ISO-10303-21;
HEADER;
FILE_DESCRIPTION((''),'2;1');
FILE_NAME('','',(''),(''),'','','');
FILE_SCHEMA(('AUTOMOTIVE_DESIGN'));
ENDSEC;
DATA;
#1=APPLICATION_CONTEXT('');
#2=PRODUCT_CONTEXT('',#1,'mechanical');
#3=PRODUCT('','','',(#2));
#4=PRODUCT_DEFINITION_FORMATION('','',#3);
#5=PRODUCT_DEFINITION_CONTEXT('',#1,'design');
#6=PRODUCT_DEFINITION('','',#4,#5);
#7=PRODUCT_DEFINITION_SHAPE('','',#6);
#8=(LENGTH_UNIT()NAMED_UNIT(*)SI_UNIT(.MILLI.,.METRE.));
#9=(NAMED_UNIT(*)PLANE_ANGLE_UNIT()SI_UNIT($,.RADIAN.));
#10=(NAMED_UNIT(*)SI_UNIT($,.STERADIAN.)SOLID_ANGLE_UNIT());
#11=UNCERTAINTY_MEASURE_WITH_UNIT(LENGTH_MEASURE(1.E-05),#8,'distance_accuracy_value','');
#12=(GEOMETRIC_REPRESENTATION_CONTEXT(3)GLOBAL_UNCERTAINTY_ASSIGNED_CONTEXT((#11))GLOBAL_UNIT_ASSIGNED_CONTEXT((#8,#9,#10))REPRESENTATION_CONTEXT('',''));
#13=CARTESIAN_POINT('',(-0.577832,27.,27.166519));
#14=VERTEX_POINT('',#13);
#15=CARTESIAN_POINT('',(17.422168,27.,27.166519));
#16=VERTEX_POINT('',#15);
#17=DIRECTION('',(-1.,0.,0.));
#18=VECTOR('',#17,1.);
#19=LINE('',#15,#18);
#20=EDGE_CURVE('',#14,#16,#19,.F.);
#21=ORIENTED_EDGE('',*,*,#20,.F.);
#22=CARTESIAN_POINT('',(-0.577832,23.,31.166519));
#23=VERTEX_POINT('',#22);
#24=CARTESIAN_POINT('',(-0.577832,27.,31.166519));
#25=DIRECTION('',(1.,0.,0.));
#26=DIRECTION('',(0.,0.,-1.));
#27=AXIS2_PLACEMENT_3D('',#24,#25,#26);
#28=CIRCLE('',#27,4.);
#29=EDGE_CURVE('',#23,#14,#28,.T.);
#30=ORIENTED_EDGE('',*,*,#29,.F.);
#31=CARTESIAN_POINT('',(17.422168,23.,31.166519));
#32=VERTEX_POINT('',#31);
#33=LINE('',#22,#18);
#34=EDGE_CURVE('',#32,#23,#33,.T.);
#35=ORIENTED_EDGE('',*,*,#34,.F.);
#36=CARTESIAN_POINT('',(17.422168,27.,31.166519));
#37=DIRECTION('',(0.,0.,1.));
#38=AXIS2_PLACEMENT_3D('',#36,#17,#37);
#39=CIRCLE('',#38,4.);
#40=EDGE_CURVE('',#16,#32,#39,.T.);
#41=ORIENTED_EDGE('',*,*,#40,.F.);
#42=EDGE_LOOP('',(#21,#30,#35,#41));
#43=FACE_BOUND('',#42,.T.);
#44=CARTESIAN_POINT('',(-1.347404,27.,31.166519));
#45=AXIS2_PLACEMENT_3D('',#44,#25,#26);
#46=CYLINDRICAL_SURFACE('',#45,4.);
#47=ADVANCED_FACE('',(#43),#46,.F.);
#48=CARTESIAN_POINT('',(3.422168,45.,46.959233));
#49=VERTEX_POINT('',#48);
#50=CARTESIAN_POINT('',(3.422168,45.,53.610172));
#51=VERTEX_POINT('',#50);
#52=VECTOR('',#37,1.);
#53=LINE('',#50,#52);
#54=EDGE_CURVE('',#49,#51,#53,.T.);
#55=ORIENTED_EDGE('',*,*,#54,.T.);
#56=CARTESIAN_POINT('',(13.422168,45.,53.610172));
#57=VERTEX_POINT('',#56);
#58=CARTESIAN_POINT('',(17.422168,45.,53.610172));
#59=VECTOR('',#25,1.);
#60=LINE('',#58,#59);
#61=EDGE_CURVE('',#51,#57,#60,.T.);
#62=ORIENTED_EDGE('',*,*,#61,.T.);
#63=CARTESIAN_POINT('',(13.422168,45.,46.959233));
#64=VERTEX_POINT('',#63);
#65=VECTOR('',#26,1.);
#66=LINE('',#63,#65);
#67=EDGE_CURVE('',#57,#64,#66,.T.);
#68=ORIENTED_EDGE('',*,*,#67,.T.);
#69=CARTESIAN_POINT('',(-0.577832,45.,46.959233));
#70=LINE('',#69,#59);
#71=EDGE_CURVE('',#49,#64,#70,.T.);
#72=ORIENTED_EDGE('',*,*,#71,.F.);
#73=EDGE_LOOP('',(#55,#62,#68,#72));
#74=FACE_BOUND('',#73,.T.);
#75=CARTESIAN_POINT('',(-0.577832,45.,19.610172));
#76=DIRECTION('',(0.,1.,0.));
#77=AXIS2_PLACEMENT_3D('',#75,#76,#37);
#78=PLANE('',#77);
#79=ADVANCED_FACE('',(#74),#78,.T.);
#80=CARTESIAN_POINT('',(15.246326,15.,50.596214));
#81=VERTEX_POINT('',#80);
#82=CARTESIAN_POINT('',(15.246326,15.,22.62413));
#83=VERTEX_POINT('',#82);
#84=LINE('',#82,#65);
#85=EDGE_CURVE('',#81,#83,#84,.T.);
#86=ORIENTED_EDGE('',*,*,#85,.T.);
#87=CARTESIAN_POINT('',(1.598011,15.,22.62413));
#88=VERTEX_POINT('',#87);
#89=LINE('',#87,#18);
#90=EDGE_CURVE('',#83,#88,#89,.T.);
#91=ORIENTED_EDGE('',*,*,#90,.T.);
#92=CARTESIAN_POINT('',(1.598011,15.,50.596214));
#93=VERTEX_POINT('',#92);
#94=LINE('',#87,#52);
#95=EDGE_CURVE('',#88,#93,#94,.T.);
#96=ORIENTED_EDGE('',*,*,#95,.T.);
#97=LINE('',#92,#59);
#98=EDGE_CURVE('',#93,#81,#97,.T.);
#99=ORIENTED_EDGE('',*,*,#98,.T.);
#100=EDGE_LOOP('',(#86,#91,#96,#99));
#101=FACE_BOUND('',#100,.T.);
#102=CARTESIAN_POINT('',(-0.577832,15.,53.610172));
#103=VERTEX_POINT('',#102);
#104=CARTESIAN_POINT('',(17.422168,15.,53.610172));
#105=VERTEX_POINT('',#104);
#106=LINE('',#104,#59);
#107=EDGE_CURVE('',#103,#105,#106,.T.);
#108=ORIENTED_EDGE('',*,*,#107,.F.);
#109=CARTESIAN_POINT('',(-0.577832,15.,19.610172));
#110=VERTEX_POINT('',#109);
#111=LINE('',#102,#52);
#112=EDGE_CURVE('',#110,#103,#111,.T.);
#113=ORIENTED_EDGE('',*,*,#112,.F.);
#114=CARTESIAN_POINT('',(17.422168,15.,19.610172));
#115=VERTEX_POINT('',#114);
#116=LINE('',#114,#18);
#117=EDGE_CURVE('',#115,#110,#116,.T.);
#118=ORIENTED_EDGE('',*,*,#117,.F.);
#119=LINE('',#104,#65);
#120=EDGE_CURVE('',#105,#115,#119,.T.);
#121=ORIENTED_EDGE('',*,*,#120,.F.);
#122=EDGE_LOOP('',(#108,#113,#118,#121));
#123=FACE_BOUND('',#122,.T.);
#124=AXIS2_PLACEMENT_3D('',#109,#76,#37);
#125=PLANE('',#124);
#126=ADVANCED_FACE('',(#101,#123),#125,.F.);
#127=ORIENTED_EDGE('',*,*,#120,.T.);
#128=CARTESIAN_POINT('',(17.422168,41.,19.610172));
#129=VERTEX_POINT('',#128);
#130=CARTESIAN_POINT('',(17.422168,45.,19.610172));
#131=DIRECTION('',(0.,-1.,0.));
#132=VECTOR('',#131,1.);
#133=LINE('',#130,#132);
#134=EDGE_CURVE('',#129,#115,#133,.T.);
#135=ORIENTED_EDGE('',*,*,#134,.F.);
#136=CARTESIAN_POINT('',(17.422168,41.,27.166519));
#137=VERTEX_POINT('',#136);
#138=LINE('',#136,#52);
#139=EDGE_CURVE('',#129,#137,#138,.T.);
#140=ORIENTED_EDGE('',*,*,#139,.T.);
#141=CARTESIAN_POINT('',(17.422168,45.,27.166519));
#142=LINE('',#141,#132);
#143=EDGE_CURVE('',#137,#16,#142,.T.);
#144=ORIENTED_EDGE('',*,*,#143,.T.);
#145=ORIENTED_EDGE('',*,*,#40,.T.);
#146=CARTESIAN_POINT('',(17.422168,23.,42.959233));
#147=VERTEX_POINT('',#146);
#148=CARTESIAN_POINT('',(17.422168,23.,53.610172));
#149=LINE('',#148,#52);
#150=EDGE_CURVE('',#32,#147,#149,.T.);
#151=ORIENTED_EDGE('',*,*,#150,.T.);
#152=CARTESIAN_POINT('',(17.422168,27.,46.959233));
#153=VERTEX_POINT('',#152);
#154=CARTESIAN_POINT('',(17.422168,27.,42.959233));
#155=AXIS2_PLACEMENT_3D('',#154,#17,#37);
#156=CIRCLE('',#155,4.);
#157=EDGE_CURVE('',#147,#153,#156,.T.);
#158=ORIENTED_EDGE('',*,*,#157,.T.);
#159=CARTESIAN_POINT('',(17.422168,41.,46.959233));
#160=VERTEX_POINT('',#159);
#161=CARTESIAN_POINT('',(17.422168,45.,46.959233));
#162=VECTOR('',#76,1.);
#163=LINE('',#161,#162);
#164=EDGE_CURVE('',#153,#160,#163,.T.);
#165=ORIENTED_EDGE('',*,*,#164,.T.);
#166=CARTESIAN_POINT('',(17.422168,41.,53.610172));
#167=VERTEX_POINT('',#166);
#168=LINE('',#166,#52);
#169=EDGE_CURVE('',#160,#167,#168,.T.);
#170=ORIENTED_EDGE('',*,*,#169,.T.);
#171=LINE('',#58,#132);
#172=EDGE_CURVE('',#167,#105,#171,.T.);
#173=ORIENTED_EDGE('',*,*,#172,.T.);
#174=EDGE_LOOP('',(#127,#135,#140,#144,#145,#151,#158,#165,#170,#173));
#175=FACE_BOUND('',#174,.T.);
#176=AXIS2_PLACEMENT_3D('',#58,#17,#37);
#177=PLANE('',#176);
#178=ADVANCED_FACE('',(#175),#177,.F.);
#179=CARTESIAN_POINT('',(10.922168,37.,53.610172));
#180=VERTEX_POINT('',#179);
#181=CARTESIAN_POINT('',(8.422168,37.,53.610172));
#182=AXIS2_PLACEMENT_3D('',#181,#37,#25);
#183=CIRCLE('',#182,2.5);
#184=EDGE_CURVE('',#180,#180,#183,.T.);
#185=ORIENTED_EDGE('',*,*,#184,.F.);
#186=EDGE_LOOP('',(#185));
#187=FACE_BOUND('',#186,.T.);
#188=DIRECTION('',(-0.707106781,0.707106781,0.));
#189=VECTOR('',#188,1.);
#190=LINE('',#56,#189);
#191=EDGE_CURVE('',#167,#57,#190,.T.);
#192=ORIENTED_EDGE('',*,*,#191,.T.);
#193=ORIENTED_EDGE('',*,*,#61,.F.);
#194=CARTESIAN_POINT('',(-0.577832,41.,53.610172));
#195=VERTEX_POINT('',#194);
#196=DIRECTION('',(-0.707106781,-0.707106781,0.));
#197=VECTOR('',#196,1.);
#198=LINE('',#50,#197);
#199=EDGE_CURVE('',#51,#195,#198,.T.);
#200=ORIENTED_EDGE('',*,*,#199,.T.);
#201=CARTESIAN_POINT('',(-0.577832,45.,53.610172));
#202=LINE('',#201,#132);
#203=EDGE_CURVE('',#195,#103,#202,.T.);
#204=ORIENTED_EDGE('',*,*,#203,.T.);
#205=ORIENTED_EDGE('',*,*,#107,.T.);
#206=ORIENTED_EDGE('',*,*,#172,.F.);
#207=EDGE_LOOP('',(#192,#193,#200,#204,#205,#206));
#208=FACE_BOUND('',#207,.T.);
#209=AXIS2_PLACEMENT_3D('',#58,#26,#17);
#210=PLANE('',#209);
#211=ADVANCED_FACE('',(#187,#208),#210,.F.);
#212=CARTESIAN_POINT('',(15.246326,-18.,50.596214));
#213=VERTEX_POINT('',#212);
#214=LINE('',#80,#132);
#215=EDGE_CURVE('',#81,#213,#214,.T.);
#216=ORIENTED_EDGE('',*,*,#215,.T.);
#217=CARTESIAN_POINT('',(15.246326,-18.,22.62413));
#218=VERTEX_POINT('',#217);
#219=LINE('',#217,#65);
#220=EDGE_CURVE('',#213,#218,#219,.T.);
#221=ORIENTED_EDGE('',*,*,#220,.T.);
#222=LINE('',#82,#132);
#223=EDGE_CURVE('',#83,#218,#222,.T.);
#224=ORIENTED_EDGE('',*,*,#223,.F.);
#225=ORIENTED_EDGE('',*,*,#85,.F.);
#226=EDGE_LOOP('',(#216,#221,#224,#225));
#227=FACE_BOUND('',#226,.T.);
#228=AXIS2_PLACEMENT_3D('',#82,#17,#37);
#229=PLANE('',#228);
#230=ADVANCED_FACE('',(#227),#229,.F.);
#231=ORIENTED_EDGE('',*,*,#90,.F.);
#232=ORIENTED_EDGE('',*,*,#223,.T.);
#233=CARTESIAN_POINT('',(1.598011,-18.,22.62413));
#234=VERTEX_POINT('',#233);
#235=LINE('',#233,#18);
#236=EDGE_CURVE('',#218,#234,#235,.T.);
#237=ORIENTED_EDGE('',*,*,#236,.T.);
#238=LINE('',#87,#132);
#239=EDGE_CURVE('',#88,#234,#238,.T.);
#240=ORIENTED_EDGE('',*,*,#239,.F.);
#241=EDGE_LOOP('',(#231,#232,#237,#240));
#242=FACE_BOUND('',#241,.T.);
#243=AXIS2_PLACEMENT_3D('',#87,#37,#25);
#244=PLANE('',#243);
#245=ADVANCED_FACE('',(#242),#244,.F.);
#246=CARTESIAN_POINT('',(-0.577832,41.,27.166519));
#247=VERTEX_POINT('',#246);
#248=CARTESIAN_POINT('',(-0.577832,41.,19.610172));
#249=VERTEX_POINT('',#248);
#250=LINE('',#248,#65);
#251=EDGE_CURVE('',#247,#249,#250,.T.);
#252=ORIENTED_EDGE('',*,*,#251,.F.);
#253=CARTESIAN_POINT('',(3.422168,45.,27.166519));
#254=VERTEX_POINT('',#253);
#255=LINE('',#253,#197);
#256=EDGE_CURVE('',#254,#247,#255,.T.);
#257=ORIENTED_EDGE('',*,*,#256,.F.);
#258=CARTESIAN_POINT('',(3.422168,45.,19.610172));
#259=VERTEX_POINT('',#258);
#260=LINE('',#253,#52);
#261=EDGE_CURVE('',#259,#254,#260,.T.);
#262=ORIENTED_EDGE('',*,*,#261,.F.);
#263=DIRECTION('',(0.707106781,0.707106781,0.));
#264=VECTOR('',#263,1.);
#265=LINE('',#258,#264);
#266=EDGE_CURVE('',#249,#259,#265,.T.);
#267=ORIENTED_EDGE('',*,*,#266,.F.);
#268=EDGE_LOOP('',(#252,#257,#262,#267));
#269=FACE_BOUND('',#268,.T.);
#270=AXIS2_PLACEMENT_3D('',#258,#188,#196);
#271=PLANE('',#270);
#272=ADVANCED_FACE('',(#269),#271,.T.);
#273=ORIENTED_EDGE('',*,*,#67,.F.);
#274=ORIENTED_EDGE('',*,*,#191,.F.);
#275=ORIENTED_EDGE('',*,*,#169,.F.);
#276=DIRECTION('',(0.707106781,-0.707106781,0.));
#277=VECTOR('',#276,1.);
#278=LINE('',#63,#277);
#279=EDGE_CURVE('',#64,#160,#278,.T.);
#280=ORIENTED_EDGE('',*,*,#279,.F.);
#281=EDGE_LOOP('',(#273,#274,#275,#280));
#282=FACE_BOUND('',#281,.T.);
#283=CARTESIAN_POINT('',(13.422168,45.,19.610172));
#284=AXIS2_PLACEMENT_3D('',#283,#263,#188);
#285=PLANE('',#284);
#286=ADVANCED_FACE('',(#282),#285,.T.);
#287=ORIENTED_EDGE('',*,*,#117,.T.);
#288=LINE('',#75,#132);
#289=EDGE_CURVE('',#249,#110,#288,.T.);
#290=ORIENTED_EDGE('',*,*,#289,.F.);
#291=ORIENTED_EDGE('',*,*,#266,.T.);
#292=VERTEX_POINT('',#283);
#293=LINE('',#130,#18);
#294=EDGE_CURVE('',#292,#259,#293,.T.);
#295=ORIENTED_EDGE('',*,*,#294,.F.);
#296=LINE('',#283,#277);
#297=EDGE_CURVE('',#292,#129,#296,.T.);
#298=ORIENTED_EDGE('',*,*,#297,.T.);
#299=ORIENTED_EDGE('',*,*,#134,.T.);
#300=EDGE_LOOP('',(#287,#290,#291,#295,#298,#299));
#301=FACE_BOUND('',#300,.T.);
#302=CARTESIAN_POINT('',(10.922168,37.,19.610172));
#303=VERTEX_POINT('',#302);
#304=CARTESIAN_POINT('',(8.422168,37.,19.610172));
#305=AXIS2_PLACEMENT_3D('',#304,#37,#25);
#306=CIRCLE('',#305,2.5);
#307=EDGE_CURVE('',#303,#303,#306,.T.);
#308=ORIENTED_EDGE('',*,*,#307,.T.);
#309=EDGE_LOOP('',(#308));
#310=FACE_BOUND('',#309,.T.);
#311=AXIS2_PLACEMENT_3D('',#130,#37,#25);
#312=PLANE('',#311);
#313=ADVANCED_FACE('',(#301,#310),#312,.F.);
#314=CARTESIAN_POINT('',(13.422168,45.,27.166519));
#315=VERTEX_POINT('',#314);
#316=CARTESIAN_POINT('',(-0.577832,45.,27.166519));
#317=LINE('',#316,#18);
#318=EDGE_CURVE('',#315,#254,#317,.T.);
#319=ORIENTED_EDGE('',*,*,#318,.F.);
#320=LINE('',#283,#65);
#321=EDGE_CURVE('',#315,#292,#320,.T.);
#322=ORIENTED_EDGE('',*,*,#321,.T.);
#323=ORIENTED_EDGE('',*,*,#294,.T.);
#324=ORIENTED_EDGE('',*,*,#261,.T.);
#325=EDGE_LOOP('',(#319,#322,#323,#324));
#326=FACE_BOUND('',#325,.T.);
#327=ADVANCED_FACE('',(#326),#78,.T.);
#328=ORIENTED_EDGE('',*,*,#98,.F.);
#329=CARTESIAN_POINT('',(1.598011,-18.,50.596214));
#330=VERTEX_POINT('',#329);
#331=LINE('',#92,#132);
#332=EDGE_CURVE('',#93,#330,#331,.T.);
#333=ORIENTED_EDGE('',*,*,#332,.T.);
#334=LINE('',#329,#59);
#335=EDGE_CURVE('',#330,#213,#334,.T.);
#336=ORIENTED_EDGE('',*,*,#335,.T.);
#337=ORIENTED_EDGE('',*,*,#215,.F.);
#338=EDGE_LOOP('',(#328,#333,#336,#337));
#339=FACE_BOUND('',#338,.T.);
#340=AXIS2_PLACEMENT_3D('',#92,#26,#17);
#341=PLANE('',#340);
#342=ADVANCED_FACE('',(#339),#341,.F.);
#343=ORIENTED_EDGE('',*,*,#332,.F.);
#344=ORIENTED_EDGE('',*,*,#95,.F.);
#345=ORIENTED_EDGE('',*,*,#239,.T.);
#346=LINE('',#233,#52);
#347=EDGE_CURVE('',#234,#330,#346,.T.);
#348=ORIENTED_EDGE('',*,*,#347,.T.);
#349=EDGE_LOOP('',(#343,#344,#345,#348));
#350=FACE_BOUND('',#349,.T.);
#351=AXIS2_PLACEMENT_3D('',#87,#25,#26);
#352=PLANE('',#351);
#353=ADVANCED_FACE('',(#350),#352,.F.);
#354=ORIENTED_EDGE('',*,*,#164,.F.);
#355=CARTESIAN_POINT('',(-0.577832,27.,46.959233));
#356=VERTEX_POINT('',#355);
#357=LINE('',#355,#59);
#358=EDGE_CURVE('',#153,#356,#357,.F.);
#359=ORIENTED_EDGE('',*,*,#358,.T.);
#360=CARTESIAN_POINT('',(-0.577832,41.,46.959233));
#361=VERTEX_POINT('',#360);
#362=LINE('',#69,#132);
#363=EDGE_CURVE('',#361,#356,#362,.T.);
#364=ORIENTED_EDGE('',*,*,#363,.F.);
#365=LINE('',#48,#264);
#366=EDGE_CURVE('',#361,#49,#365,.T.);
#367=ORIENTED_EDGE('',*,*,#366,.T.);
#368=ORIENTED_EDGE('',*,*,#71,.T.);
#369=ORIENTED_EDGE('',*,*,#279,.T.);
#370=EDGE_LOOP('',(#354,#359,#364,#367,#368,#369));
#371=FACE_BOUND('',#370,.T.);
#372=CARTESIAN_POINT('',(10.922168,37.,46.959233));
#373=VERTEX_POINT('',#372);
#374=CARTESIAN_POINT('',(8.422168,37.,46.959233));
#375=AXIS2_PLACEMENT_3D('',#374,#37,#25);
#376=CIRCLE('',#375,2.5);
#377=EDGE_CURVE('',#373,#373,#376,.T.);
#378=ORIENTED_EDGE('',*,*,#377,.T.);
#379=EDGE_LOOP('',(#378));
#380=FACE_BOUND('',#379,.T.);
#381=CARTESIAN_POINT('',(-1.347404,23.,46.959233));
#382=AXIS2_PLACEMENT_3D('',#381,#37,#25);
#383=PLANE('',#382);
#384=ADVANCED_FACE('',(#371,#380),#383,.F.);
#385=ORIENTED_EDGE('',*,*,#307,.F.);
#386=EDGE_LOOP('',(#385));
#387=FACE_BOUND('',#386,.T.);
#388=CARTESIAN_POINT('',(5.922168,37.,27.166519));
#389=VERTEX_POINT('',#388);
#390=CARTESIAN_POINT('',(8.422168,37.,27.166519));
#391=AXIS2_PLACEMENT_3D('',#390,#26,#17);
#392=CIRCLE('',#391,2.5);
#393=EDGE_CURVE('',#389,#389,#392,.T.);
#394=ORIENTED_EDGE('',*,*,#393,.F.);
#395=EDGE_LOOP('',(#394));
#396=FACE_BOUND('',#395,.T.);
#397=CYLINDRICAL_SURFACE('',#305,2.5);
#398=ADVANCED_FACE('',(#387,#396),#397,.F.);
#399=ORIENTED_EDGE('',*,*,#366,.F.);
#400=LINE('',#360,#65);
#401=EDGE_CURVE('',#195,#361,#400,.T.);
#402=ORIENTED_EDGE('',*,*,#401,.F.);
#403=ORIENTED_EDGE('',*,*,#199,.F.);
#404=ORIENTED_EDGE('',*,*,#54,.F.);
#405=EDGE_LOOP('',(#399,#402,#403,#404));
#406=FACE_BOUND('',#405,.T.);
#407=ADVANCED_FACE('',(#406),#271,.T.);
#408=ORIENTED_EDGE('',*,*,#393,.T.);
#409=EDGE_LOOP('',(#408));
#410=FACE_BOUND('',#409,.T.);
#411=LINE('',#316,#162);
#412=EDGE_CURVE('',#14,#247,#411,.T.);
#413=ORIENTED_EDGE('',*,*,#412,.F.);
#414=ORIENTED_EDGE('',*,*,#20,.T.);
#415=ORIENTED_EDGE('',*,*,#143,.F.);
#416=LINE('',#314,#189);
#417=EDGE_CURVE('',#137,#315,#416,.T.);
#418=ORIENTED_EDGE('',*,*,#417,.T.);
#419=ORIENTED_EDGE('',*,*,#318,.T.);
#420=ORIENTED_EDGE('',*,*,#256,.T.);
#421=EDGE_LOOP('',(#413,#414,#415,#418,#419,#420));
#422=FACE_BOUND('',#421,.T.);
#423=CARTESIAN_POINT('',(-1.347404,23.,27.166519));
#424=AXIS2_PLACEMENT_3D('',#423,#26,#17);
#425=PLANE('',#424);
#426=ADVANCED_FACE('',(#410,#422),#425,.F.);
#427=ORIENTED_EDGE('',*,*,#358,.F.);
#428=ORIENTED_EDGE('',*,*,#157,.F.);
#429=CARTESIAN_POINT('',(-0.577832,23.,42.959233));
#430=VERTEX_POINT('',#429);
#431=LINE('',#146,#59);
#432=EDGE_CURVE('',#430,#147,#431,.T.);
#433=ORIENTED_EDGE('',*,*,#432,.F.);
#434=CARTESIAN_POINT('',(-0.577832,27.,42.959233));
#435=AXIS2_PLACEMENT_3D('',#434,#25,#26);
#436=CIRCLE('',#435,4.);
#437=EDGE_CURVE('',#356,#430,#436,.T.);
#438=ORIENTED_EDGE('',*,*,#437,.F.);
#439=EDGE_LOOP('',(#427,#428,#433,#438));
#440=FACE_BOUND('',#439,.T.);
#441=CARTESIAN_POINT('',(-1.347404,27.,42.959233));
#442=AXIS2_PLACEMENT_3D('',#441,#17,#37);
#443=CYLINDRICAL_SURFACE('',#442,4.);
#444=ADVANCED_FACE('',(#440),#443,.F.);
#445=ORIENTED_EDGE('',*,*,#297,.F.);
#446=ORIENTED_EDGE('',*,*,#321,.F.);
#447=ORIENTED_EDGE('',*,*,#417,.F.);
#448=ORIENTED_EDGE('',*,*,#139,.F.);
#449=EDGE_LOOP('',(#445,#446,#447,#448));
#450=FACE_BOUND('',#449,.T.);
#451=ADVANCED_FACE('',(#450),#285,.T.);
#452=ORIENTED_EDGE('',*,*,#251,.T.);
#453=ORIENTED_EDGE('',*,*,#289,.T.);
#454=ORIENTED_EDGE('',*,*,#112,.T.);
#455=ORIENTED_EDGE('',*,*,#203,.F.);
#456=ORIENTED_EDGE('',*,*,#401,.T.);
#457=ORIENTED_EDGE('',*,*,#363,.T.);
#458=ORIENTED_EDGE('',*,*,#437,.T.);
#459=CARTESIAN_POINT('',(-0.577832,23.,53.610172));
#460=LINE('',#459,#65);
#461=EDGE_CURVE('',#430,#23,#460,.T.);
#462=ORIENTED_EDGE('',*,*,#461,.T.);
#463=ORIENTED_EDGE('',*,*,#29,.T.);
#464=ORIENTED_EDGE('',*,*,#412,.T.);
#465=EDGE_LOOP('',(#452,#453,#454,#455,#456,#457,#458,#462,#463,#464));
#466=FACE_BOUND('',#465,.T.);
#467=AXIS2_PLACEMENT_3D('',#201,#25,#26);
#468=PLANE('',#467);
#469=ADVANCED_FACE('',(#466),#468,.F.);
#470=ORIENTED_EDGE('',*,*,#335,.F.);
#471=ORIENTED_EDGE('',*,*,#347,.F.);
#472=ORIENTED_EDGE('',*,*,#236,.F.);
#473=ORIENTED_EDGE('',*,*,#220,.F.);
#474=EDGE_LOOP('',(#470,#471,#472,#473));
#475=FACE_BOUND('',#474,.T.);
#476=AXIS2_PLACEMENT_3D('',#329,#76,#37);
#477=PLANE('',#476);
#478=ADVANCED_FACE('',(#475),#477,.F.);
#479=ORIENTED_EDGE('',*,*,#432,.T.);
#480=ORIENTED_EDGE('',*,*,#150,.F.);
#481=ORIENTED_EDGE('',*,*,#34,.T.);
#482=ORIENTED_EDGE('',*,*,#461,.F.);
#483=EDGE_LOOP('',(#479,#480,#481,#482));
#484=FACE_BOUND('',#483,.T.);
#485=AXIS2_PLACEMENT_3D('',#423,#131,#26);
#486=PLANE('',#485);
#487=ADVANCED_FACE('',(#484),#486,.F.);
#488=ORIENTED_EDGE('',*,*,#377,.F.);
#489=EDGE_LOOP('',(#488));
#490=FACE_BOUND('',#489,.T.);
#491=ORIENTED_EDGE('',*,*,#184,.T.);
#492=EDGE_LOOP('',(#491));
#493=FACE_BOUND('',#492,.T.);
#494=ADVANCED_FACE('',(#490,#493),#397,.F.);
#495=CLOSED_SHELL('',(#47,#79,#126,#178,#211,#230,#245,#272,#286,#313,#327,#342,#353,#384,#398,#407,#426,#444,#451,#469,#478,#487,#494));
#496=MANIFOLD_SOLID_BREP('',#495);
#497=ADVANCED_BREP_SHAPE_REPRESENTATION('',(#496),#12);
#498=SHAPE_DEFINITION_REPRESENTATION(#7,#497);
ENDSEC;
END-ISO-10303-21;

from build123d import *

# Parameters (mm, degrees)
EXTRUDE_START       = -18
SKETCH_1_W          = 13.648314944
SKETCH_1_H          = 27.972083639
EXTRUDE_1_DEPTH     = 33
SKETCH_3_W          = 18
SKETCH_3_H          = 34
EXTRUDE_2_DEPTH     = 30
SKETCH_4_W          = 20.982707523
SKETCH_4_H          = 19.792714352
CUT_EXTRUDE_1_DEPTH = 22
FILLET_1_R          = 4
SKETCH_5_R          = 2.5
CUT_EXTRUDE_2_DEPTH = 60.029924153
CHAMFER_1_SIZE      = 4


with BuildPart() as part:
    # Эскиз1 → Вытянуть1 (new body)
    with BuildSketch(Plane(origin=(0, 0, 0), x_dir=(1, 0, 0), z_dir=(0, 1, 0)).offset(EXTRUDE_START)):
        with Locations((8.422168222, -36.610171765)):
            Rectangle(SKETCH_1_W, SKETCH_1_H)
    extrude(amount=EXTRUDE_1_DEPTH)

    # Эскиз3 → Вытянуть2 (add)
    with BuildSketch(Plane(origin=(0, 15, 0), x_dir=(1, 0, 0), z_dir=(0, 1, 0))):
        with Locations((8.422168222, -36.610171766)):
            Rectangle(SKETCH_3_W, SKETCH_3_H)
    extrude(amount=EXTRUDE_2_DEPTH)

    # Эскиз4 → Вырез-Вытянуть1 (cut)
    with BuildSketch(Plane(origin=(0, 45, 0), x_dir=(1, 0, 0), z_dir=(0, 1, 0))):
        with Locations((9.143949352, -37.062876014)):
            Rectangle(SKETCH_4_W, SKETCH_4_H)
    extrude(amount=-CUT_EXTRUDE_1_DEPTH, mode=Mode.SUBTRACT)

    # Скругление1
    fillet_1_edges = [part.edges().sort_by_distance(p)[0] for p in [
        (8.422168222, 23, 27.166518838),
        (8.422168222, 23, 46.95923319),
    ]]
    fillet(fillet_1_edges, radius=FILLET_1_R)

    # Эскиз5 → Вырез-Вытянуть2 (cut, through all)
    with BuildSketch(Plane.XY.offset(53.610171766)):
        with Locations((8.422168222, 37)):
            Circle(SKETCH_5_R)
    extrude(amount=-CUT_EXTRUDE_2_DEPTH, mode=Mode.SUBTRACT)

    # Фаска1
    chamfer_1_edges = [part.edges().sort_by_distance(p)[0] for p in [
        (-0.577831778, 45, 23.388345302),
        (17.422168222, 45, 50.284702478),
        (-0.577831778, 45, 50.284702478),
        (17.422168222, 45, 23.388345302),
    ]]
    chamfer(chamfer_1_edges, length=CHAMFER_1_SIZE)


solid = part.part
